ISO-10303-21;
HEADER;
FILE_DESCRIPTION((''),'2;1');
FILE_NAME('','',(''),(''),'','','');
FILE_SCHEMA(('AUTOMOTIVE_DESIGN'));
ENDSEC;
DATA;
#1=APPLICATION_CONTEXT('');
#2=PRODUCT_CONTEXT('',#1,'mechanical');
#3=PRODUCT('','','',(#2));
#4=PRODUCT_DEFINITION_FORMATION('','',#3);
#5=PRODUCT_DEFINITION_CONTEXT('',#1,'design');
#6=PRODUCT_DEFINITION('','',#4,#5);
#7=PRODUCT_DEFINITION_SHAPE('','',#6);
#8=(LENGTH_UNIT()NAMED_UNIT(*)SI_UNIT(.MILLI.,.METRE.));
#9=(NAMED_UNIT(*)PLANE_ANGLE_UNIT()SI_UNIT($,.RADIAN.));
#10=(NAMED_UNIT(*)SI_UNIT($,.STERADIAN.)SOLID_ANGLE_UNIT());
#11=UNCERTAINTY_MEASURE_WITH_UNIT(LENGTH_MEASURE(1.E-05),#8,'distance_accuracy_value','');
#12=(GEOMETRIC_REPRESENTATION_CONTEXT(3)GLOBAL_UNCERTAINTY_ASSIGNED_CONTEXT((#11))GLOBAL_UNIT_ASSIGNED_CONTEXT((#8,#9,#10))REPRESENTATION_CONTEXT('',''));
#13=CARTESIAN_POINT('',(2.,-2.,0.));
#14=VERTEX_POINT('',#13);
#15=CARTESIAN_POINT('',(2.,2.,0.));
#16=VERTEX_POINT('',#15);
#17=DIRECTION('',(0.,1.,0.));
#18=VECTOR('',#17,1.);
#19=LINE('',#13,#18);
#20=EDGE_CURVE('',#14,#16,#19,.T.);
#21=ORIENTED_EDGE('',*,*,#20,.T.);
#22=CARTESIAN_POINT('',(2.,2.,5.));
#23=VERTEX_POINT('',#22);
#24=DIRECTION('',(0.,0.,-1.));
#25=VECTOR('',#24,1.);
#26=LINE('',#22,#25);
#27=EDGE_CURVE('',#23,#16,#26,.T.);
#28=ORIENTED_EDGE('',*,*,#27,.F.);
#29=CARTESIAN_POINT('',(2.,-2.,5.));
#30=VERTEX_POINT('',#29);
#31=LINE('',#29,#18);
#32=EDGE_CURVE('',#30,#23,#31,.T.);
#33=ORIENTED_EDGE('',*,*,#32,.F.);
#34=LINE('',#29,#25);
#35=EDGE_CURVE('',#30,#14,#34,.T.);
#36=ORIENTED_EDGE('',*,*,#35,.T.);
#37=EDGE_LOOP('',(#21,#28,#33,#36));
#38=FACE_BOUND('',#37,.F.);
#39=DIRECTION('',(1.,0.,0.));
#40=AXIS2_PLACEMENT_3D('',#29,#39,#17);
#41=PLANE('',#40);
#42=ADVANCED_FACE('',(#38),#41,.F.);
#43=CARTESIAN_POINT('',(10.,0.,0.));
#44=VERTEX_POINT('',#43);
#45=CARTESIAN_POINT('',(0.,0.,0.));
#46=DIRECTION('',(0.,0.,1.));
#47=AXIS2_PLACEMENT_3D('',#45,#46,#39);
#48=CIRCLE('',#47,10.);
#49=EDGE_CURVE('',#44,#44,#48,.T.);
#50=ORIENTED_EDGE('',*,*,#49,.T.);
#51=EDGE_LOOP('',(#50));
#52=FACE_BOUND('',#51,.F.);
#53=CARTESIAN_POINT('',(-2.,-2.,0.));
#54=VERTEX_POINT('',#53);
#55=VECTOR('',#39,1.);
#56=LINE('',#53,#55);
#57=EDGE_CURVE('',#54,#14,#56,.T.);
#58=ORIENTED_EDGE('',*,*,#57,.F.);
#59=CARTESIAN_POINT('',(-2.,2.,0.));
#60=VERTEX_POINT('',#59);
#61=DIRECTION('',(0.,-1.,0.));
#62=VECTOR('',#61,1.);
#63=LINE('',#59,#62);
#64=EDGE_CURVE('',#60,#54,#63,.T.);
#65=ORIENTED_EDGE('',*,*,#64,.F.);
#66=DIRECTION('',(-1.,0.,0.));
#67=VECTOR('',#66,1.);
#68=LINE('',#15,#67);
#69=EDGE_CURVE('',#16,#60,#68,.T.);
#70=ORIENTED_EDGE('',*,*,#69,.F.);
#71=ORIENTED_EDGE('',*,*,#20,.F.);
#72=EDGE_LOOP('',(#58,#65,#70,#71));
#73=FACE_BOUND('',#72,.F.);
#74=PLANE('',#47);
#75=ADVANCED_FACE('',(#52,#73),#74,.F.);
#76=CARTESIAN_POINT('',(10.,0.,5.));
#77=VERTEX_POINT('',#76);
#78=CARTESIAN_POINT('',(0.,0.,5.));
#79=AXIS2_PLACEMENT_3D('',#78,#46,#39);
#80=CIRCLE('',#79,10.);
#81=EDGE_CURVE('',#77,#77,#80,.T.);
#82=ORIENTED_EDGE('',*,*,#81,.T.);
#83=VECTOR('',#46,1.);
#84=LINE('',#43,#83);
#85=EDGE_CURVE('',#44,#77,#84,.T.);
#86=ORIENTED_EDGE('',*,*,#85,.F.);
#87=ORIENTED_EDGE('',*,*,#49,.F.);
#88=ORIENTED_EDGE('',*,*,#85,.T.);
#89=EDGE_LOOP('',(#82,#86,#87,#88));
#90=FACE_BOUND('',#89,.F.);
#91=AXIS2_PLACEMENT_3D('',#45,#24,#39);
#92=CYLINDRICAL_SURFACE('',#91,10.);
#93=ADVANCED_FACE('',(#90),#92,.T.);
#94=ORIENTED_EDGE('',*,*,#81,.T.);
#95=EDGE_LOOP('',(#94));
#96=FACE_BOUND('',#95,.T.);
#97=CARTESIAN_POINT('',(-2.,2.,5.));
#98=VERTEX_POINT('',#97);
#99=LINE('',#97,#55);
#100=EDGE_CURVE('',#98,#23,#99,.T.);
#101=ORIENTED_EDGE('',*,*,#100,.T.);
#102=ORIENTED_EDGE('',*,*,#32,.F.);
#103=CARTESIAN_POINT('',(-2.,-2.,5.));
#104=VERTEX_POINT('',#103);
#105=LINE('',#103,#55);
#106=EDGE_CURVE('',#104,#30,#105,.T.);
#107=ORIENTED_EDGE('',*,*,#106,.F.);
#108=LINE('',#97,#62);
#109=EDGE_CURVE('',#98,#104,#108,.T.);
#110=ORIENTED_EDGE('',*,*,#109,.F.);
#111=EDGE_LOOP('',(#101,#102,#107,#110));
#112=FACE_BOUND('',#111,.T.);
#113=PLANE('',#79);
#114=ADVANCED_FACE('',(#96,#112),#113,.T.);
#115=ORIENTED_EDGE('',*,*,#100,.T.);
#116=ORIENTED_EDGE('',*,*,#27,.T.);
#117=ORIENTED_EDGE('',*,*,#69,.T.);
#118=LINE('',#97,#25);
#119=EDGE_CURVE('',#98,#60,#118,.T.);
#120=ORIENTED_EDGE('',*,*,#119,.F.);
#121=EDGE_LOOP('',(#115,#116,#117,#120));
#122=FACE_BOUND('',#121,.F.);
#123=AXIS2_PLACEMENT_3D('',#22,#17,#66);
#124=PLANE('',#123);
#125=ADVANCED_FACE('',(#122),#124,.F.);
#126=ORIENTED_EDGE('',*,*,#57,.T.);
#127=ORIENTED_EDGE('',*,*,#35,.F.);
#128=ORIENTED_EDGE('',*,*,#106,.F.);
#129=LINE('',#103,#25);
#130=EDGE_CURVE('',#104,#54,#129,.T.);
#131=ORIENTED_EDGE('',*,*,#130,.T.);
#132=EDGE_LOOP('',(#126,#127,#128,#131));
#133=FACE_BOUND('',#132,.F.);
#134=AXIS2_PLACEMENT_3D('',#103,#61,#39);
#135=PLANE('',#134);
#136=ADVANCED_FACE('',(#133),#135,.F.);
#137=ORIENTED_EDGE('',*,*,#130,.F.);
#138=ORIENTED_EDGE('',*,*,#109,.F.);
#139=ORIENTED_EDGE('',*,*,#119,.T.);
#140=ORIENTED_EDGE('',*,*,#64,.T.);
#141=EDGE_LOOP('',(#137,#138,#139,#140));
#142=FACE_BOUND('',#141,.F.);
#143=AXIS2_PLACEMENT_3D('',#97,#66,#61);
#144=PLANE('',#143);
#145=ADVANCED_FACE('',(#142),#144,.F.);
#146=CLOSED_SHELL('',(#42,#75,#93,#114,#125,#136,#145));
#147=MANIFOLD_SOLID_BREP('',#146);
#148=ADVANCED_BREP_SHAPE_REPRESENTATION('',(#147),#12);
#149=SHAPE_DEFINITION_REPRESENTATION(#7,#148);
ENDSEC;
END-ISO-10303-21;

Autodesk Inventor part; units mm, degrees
ref_plane "YZ Plane" through (0, 0, 0) normal (1, 0, 0) x (0, 1, 0)
ref_plane "XZ Plane" through (0, 0, 0) normal (0, 1, 0) x (-1, 0, 0)
ref_plane "XY Plane" through (0, 0, 0) normal (0, 0, 1) x (1, 0, 0)
sketch "Skizze3" plane through (0, 0, 0) normal (0, 0, 1) x (1, 0, 0)
  circle A0 centre (0, 0) radius 10
  dimension "d10" = 20
extrude "Extrusion3" add sketch "Skizze3" along normal blind 5
sketch "Skizze4" plane through (0, 0, 5) normal (0, 0, 1) x (1, 0, 0)
  line L0 (0, 0) -> (0, 2)
  line L1 (0, 2) -> (-2, 2)
  line L2 (-2, 2) -> (-2, -2)
  line L3 (-2, -2) -> (2, -2)
  line L4 (2, -2) -> (2, 2)
  line L5 (2, 2) -> (0, 2)
  dimension "d13" = 2
  dimension "d14" = 2
  dimension "d15" = 4
  dimension "d16" = 4
  dimension "d17" = 4
extrude "Extrusion4" cut sketch "Skizze4" against normal blind 5
properties part number "Strinrädradantrieb"
